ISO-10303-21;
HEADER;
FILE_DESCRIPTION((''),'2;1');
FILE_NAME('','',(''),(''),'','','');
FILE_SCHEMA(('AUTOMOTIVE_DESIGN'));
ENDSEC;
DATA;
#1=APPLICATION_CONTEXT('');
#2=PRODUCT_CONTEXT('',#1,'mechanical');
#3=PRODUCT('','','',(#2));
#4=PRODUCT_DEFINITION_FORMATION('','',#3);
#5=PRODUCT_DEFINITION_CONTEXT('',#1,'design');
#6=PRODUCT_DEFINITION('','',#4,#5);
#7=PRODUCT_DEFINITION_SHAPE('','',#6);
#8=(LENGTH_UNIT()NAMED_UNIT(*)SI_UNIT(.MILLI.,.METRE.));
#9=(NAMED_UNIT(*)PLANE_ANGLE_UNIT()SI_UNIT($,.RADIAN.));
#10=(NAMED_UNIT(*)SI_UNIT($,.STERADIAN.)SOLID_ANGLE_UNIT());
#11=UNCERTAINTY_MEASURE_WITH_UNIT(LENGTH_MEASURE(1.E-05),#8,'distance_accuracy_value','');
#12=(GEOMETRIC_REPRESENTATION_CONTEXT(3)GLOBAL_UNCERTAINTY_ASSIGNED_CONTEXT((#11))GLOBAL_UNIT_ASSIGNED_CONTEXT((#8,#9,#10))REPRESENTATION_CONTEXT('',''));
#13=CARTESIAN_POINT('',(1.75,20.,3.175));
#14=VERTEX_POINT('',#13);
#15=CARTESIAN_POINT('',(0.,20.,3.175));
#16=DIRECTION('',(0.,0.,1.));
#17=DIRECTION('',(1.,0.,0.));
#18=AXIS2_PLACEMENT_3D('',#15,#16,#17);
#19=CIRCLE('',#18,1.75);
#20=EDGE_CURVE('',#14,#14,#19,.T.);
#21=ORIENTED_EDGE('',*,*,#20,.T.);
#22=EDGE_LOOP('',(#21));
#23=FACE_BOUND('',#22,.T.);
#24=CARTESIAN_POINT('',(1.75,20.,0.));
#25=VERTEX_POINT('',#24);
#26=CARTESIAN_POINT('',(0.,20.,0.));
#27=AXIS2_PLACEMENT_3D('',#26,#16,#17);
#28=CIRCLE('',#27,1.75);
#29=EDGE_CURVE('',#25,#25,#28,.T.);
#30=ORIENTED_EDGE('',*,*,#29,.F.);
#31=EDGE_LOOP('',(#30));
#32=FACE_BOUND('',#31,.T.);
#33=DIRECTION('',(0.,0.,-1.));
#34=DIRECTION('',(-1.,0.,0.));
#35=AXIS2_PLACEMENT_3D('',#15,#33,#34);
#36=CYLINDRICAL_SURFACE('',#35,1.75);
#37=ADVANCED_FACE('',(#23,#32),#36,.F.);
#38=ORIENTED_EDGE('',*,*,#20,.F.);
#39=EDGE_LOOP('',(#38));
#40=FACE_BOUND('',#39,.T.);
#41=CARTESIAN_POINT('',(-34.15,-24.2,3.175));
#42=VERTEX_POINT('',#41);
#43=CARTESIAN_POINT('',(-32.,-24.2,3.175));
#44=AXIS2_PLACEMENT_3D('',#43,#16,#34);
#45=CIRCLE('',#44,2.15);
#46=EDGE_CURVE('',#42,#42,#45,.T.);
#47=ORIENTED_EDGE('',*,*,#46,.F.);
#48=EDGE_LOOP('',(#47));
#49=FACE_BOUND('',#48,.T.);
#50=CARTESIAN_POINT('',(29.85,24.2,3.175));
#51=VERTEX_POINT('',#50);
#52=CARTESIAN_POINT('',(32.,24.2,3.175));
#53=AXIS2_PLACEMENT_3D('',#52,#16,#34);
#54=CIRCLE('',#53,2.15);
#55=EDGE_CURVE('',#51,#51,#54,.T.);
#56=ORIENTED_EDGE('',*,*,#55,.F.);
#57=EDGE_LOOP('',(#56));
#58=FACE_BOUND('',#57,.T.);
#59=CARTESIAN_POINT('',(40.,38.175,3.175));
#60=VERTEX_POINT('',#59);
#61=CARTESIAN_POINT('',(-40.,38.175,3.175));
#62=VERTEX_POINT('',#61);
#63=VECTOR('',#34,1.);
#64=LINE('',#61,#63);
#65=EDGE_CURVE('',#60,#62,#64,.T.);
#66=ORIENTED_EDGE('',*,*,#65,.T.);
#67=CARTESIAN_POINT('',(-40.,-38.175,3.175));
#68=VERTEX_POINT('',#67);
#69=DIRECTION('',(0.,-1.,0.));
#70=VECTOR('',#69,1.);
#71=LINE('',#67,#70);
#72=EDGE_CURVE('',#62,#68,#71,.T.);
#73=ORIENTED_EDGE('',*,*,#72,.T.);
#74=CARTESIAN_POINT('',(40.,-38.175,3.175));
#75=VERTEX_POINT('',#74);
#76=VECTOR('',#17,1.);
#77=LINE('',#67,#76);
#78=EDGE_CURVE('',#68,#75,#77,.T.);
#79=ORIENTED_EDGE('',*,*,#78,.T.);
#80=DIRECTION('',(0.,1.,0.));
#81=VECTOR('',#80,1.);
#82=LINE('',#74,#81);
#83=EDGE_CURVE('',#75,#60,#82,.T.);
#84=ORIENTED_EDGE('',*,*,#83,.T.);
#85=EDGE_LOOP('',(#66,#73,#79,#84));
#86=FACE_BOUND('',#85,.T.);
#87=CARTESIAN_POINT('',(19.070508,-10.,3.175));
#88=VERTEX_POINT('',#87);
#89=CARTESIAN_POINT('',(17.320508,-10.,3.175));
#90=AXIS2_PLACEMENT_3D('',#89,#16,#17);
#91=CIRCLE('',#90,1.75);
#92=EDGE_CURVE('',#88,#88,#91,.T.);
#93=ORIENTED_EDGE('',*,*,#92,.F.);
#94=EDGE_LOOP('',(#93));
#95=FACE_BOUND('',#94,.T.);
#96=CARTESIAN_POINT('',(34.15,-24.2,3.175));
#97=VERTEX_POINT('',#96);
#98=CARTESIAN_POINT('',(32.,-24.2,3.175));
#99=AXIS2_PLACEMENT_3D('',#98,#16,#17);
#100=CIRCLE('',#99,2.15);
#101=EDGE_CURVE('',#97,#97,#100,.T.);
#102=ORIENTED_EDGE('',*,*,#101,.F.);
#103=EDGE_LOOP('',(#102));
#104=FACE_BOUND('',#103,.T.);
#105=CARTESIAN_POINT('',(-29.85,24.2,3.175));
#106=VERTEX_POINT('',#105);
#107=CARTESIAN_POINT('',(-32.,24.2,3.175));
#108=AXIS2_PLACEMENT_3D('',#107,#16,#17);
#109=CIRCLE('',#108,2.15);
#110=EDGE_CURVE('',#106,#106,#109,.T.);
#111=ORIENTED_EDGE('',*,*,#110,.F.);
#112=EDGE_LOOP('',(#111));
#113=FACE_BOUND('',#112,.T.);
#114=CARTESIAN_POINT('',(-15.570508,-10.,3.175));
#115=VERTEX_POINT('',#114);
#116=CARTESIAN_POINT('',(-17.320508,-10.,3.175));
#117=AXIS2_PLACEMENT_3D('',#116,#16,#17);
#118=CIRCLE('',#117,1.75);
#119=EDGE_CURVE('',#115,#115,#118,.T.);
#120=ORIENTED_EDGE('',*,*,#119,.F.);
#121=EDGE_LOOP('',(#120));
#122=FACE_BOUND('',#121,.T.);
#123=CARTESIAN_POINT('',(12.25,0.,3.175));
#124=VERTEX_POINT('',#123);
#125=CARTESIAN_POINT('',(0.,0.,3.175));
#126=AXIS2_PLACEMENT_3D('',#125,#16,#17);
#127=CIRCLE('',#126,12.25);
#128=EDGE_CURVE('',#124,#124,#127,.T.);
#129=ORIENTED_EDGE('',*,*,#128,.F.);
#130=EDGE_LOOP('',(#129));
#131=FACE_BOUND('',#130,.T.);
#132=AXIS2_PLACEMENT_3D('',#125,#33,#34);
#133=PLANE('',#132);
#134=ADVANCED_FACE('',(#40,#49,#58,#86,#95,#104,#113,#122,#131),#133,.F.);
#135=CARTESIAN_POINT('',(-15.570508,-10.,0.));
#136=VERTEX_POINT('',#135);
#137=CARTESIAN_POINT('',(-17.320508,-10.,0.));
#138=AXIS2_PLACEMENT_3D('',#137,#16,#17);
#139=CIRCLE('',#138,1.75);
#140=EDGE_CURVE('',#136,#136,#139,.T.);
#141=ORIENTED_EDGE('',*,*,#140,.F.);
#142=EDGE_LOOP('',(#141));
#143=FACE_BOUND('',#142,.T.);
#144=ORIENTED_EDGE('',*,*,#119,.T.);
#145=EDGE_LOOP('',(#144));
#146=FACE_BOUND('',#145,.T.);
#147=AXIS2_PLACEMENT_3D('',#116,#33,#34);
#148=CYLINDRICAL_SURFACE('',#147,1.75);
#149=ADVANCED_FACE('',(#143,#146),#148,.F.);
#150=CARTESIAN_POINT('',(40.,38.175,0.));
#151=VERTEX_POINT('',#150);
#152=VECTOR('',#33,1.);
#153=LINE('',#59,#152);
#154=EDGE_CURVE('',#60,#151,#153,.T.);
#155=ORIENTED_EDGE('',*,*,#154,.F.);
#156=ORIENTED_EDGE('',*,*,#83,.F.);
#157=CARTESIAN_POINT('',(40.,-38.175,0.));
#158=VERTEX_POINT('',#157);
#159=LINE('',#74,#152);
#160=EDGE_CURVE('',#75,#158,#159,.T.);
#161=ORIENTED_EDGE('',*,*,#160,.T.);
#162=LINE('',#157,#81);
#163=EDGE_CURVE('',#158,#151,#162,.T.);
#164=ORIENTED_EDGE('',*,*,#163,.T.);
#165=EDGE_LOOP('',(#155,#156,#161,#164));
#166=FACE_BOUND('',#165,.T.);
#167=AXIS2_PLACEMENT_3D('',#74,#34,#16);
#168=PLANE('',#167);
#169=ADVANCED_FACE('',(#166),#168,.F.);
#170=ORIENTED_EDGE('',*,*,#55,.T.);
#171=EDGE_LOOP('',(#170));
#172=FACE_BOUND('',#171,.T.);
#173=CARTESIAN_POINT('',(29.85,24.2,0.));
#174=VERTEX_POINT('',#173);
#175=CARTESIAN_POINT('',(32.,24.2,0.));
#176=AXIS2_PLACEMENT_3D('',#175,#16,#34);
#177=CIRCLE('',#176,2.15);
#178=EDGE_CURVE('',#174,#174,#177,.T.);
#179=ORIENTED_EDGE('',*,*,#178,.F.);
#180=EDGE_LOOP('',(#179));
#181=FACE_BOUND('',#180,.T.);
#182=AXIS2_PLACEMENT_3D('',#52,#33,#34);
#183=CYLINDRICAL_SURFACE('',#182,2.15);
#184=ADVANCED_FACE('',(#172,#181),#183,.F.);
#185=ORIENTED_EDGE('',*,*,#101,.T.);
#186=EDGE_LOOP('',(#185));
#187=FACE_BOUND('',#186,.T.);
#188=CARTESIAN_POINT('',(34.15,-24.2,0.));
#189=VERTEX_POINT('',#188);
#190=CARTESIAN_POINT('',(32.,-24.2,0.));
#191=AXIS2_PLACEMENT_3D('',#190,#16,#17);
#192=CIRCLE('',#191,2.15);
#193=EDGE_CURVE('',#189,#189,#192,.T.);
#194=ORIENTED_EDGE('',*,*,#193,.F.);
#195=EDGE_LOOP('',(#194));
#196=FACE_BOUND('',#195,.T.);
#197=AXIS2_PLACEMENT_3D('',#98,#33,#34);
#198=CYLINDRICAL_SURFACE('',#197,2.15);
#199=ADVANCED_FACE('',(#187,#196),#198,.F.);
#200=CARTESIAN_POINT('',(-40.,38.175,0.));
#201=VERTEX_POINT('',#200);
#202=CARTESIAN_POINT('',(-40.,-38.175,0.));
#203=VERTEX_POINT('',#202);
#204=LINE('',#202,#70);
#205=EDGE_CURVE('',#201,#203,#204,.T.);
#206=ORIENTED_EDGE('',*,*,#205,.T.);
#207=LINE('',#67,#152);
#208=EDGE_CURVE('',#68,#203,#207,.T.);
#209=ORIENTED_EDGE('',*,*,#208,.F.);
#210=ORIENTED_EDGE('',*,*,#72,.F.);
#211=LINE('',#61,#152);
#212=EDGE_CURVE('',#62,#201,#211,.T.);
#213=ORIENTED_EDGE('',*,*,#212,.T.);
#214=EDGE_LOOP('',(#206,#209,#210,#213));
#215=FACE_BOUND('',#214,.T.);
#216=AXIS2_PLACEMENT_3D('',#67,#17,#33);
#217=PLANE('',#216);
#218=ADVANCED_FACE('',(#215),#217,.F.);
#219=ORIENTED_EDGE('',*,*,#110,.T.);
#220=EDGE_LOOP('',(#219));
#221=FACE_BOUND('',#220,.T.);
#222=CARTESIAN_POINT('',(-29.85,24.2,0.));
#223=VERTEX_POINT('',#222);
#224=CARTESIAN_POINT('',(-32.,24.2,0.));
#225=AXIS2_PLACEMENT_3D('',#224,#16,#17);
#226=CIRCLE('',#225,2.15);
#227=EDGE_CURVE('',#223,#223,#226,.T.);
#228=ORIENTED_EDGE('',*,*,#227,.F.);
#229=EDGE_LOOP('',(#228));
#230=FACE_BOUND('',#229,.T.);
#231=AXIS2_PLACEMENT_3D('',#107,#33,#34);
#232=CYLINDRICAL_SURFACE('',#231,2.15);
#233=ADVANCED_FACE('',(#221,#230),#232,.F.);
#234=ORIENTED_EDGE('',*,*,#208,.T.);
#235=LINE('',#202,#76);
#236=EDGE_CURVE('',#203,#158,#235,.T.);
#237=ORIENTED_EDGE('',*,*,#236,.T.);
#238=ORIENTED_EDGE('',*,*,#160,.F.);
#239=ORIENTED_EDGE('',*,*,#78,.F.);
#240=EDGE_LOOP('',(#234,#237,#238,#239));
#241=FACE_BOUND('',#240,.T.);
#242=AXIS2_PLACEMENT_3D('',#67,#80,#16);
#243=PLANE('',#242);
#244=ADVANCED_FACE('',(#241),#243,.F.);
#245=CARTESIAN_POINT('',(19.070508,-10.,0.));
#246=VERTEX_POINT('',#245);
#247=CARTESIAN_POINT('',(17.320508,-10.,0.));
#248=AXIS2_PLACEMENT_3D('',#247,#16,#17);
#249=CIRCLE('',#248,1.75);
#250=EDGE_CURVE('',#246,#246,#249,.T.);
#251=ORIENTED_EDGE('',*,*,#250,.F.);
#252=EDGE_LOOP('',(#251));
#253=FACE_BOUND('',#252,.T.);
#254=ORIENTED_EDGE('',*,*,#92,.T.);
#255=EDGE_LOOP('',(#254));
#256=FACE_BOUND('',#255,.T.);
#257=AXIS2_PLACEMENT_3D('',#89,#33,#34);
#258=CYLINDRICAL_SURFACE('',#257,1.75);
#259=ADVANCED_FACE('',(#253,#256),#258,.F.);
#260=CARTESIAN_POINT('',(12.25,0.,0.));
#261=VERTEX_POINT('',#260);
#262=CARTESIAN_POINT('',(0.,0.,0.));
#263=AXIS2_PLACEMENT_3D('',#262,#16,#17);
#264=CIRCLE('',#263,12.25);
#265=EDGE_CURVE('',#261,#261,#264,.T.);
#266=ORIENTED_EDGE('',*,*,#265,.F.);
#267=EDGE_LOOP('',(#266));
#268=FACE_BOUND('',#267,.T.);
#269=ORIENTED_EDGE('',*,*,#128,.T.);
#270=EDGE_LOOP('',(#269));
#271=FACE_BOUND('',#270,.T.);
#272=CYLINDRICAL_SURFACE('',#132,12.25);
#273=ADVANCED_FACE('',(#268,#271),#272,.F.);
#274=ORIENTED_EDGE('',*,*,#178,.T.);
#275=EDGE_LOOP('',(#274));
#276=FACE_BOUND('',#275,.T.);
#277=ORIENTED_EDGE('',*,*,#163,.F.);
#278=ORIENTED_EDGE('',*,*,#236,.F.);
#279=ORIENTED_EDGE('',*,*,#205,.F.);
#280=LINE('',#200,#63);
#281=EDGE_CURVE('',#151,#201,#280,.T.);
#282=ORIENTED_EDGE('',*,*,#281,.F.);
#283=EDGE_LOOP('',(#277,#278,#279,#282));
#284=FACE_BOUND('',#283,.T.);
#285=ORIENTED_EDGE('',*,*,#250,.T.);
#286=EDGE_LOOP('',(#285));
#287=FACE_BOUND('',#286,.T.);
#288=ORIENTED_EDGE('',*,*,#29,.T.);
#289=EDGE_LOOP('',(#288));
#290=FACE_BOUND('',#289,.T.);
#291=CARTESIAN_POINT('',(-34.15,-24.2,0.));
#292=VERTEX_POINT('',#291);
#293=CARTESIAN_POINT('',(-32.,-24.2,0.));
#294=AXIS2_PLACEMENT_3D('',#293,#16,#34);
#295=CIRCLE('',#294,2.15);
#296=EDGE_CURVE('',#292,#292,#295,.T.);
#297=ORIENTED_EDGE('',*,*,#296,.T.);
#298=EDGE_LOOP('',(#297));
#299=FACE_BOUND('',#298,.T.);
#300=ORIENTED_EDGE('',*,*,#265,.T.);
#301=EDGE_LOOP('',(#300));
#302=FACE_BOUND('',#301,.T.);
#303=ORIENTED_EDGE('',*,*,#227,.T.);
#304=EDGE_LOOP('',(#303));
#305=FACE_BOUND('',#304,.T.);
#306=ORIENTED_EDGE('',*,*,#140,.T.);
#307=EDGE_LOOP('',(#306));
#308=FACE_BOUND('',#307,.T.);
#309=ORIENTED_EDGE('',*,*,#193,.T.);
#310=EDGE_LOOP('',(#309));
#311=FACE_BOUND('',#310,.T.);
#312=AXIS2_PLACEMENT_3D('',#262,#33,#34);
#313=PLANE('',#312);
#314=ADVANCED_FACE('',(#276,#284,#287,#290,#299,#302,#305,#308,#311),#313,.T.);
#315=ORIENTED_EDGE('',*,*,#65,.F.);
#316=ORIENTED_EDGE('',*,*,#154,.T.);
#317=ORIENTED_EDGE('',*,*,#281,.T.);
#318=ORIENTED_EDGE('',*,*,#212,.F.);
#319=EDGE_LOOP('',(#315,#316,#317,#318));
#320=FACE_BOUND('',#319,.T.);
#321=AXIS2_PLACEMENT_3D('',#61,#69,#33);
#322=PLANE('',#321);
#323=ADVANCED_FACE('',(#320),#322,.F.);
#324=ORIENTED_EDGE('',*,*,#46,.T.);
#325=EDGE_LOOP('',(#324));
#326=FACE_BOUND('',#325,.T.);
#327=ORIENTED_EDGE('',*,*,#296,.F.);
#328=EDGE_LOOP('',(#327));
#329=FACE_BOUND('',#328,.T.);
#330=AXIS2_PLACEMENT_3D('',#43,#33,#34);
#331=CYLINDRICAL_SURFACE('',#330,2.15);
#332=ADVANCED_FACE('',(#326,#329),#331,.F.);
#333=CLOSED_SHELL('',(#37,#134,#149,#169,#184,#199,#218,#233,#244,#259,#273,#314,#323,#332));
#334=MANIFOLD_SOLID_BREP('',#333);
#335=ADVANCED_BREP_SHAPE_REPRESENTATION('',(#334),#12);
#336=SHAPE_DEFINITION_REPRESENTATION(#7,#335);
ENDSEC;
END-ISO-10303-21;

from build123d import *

# Parameters (mm, degrees)
SKETCH1_W           = 80
SKETCH1_H           = 76.35
SKETCH1_R           = 1.75
SKETCH1_R_2         = 12.25
SKETCH1_R_3         = 2.15
BOSS_EXTRUDE1_DEPTH = 3.175


with BuildPart() as part:
    # Sketch1 → Boss-Extrude1 (new body)
    with BuildSketch(Plane.XY):
        Rectangle(SKETCH1_W, SKETCH1_H)
        with Locations((0, 20)):
            Circle(SKETCH1_R, mode=Mode.SUBTRACT)
        Circle(SKETCH1_R_2, mode=Mode.SUBTRACT)
        with Locations((17.320508076, -10)):
            Circle(SKETCH1_R, mode=Mode.SUBTRACT)
        with Locations((-17.320508076, -10)):
            Circle(SKETCH1_R, mode=Mode.SUBTRACT)
        with Locations((-32, 24.2)):
            Circle(SKETCH1_R_3, mode=Mode.SUBTRACT)
        with Locations(Location((32, 24.2, 0), (0, 0, 180))):
            Circle(SKETCH1_R_3, mode=Mode.SUBTRACT)
        with Locations((32, -24.2)):
            Circle(SKETCH1_R_3, mode=Mode.SUBTRACT)
        with Locations(Location((-32, -24.2, 0), (0, 0, 180))):
            Circle(SKETCH1_R_3, mode=Mode.SUBTRACT)
    extrude(amount=BOSS_EXTRUDE1_DEPTH)


solid = part.part
